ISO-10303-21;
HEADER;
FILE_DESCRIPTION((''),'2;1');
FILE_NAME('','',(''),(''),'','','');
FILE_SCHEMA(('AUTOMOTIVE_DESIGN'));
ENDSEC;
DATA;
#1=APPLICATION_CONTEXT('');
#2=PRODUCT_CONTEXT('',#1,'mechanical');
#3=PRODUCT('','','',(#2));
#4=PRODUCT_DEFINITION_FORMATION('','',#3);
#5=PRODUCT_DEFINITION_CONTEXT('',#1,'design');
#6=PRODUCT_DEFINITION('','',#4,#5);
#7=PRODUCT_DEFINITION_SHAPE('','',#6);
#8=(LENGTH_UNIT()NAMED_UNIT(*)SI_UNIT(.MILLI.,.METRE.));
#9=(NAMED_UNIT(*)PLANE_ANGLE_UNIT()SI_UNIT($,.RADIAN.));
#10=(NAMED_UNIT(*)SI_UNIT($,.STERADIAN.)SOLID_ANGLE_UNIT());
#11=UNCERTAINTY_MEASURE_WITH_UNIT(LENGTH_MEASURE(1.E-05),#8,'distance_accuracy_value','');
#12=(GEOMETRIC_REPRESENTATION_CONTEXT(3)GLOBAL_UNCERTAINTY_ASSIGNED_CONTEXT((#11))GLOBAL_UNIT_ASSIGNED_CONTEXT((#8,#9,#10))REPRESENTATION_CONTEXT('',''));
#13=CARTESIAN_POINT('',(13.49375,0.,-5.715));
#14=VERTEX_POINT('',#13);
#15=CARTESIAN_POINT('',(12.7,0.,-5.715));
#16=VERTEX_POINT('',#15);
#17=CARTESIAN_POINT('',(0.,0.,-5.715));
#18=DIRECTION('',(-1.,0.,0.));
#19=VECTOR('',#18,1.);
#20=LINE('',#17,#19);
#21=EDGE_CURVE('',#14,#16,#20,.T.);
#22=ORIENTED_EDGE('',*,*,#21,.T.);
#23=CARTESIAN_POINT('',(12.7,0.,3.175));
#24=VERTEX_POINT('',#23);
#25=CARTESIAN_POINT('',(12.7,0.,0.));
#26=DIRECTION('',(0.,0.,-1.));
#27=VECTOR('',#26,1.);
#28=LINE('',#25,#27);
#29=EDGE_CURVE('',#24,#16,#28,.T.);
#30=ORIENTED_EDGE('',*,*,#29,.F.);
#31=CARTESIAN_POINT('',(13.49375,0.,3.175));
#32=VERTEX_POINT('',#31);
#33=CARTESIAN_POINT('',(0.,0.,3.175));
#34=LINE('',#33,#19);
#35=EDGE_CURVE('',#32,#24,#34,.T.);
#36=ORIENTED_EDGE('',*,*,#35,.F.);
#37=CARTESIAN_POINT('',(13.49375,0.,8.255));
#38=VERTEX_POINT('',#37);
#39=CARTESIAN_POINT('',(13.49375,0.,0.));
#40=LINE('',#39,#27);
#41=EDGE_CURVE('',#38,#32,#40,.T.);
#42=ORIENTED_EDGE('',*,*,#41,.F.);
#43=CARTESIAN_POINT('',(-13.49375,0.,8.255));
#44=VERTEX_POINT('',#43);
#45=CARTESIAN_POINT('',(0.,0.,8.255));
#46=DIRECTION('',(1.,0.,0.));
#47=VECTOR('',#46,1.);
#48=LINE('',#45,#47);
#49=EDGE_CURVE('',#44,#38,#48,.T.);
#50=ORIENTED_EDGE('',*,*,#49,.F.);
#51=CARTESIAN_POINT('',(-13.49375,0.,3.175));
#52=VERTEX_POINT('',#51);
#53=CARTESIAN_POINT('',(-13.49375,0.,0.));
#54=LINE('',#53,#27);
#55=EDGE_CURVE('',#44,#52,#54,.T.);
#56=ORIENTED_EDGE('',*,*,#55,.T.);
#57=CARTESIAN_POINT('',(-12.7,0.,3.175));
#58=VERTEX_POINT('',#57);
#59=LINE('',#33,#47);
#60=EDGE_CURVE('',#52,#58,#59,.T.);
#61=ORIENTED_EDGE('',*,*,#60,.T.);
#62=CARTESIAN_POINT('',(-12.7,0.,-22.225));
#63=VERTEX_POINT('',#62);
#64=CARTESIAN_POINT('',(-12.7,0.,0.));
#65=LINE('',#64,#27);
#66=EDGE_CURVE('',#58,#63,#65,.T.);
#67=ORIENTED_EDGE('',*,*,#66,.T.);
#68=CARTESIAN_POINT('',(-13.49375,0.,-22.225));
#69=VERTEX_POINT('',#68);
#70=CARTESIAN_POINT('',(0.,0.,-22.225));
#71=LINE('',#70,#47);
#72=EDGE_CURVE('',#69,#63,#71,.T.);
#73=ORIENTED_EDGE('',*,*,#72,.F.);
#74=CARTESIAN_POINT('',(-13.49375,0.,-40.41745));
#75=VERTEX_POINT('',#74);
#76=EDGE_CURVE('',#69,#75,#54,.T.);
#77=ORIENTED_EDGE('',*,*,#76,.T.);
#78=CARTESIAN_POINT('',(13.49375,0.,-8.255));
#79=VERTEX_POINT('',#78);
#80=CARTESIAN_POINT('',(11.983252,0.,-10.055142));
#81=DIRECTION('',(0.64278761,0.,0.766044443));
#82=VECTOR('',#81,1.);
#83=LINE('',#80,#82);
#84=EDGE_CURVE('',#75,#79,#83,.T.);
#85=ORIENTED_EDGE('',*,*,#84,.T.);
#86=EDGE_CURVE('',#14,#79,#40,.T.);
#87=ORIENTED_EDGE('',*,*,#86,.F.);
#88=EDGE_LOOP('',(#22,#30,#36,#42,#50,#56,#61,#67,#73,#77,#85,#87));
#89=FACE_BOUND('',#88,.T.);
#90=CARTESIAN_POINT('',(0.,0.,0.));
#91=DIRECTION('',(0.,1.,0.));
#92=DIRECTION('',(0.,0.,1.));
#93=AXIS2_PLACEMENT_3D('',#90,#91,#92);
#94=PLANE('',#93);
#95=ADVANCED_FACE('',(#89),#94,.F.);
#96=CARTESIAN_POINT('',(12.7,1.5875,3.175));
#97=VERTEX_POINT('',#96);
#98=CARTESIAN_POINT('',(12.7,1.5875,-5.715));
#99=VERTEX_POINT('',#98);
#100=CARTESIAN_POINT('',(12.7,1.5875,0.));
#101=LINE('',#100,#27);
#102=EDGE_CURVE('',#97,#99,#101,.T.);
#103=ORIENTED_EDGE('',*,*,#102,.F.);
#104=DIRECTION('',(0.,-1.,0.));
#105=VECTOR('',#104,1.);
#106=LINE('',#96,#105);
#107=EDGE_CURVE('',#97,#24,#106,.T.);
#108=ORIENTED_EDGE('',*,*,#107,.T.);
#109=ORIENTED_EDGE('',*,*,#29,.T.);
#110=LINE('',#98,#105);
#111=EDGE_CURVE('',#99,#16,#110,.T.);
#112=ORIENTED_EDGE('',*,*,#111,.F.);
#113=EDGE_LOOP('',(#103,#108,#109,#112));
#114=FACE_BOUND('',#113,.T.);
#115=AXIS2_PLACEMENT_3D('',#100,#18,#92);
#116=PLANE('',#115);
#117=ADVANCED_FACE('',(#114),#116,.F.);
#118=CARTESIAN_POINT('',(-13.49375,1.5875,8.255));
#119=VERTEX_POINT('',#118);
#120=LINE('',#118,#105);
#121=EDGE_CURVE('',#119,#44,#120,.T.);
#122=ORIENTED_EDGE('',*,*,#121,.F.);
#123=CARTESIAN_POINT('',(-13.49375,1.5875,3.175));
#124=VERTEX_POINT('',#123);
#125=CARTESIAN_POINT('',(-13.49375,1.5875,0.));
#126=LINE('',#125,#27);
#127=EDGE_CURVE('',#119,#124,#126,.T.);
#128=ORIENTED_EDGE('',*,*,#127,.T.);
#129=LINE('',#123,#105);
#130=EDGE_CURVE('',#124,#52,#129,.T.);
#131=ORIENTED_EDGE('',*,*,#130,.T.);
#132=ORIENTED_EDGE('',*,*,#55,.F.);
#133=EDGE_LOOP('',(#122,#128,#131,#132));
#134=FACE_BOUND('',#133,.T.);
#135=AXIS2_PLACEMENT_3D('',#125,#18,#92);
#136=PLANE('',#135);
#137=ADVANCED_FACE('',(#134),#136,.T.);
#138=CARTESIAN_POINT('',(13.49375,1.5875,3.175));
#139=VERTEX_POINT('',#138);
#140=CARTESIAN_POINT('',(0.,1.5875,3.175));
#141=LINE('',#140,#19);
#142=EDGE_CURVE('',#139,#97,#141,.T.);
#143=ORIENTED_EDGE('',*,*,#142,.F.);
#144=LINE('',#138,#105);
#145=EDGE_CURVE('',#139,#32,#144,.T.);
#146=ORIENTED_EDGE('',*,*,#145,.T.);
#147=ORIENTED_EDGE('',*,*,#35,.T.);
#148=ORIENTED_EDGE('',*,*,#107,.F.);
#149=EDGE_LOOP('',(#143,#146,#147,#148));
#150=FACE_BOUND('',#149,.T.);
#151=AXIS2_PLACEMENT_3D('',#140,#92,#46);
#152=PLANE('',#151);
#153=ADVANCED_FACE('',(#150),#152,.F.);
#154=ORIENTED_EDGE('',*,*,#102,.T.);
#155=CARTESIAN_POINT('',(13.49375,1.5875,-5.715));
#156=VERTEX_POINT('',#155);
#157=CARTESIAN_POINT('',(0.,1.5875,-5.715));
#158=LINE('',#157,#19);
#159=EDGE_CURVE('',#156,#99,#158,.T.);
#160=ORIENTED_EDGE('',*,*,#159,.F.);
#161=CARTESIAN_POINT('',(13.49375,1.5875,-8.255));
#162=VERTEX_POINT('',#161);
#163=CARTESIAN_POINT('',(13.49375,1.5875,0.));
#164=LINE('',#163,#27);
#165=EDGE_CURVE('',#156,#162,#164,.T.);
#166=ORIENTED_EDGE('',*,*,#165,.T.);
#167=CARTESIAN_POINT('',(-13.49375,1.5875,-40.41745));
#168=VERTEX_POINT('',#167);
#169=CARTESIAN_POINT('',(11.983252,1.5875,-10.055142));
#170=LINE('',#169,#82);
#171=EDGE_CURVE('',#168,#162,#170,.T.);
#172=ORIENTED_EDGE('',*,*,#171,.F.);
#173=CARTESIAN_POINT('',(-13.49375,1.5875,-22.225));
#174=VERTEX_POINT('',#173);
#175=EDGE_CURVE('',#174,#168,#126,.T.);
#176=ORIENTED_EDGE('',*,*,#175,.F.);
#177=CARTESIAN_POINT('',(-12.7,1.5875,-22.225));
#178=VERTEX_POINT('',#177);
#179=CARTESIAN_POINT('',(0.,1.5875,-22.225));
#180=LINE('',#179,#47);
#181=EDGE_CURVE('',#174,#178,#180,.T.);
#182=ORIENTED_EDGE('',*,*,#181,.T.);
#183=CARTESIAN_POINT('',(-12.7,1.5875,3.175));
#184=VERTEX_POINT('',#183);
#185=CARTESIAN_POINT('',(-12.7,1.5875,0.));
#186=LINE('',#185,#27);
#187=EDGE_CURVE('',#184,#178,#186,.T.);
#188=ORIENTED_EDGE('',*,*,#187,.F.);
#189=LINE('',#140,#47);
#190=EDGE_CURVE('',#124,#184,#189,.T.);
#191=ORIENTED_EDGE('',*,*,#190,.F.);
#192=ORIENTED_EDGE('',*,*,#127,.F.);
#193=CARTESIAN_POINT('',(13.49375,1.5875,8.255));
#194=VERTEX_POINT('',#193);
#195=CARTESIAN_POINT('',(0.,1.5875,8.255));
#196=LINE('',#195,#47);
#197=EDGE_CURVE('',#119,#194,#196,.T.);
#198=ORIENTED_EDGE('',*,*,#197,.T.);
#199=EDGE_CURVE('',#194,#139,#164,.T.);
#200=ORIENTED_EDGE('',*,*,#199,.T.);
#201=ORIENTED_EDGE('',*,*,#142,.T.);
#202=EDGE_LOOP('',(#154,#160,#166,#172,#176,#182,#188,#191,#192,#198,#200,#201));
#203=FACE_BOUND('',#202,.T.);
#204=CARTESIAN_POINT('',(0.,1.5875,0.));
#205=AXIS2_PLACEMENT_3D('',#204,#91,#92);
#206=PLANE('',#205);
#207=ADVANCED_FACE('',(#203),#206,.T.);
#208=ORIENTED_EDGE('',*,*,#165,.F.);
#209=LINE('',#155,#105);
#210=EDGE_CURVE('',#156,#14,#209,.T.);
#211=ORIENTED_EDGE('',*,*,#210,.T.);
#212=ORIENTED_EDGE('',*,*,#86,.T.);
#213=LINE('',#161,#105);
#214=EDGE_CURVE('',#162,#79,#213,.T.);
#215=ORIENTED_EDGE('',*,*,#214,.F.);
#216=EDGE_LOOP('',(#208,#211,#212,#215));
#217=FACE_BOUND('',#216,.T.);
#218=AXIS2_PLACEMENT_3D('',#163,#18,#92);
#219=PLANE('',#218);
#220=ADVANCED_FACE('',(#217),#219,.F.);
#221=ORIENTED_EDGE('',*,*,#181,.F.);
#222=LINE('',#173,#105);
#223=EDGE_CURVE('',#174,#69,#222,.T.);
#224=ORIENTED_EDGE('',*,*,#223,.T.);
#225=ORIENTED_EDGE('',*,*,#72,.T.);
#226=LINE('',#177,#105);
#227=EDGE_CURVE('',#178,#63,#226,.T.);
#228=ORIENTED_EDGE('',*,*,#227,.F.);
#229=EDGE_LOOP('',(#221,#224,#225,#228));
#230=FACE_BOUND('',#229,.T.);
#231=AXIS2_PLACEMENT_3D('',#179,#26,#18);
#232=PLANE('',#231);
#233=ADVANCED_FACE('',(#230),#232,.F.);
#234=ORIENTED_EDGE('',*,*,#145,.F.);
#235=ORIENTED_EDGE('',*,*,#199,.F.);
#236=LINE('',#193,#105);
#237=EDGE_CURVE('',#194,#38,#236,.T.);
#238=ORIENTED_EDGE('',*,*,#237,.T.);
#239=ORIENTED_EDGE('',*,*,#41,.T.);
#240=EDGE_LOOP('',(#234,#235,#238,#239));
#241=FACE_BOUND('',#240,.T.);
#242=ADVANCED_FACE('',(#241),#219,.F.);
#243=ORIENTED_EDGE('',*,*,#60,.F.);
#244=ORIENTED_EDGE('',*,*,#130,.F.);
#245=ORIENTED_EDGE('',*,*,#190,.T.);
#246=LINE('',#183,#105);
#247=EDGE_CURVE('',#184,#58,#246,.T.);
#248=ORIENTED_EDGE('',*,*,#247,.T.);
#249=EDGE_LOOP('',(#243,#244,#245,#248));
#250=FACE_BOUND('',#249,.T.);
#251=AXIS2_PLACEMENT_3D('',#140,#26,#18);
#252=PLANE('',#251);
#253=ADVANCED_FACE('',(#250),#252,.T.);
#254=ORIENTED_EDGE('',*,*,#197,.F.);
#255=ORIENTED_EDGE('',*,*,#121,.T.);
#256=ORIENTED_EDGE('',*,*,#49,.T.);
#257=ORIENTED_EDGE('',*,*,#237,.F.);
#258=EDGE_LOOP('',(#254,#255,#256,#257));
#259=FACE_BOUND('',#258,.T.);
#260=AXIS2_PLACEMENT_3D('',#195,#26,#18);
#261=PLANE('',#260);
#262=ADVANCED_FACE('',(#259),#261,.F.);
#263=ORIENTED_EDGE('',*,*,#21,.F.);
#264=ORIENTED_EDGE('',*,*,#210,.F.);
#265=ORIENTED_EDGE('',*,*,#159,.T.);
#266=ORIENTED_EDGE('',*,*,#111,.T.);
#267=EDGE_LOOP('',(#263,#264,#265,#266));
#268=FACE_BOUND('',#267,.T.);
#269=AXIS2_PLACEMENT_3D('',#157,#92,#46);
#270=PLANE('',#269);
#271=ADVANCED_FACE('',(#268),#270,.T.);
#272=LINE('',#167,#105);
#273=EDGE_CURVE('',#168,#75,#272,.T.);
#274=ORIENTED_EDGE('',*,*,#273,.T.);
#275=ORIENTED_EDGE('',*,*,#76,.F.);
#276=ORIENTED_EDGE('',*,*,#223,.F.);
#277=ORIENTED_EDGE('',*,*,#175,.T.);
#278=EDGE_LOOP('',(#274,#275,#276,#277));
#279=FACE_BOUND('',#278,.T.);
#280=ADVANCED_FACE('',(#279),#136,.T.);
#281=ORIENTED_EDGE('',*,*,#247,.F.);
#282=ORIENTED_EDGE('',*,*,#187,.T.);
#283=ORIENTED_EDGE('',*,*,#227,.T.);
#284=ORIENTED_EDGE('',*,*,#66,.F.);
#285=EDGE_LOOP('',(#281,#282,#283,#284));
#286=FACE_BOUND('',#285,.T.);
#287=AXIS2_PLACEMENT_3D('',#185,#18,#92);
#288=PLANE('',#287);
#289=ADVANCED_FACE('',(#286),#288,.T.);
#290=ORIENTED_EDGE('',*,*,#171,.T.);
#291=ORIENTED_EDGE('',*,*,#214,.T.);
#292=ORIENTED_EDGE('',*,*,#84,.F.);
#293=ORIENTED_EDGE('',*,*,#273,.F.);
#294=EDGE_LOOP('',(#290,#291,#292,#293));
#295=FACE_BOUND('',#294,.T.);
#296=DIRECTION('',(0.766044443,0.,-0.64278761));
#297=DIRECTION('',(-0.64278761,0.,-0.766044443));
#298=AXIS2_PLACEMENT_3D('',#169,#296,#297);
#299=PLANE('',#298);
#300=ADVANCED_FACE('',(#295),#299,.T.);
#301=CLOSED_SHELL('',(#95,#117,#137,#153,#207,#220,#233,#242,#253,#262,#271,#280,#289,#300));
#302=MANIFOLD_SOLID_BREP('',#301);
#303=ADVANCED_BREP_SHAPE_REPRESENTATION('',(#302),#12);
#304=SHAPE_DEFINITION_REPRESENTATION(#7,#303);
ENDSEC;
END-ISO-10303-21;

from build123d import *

# Parameters (mm, degrees)
BOSS_EXTRUDE1_DEPTH = 1.5875


with BuildPart() as part:
    # Sketch1 → Boss-Extrude1 (new body)
    with BuildSketch(Plane(origin=(0, 0, 0), x_dir=(1, 0, 0), z_dir=(0, 1, 0))):
        Polygon((-13.49375, -3.175), (-13.49375, -8.255), (13.49375, -8.255), (13.49375, -3.175), (12.7, -3.175), (12.7, 5.715), (13.49375, 5.715), (13.49375, 8.255), (-13.49375, 40.41745008), (-13.49375, 22.225), (-12.7, 22.225), (-12.7, -3.175), align=None)
    extrude(amount=BOSS_EXTRUDE1_DEPTH)


solid = part.part
